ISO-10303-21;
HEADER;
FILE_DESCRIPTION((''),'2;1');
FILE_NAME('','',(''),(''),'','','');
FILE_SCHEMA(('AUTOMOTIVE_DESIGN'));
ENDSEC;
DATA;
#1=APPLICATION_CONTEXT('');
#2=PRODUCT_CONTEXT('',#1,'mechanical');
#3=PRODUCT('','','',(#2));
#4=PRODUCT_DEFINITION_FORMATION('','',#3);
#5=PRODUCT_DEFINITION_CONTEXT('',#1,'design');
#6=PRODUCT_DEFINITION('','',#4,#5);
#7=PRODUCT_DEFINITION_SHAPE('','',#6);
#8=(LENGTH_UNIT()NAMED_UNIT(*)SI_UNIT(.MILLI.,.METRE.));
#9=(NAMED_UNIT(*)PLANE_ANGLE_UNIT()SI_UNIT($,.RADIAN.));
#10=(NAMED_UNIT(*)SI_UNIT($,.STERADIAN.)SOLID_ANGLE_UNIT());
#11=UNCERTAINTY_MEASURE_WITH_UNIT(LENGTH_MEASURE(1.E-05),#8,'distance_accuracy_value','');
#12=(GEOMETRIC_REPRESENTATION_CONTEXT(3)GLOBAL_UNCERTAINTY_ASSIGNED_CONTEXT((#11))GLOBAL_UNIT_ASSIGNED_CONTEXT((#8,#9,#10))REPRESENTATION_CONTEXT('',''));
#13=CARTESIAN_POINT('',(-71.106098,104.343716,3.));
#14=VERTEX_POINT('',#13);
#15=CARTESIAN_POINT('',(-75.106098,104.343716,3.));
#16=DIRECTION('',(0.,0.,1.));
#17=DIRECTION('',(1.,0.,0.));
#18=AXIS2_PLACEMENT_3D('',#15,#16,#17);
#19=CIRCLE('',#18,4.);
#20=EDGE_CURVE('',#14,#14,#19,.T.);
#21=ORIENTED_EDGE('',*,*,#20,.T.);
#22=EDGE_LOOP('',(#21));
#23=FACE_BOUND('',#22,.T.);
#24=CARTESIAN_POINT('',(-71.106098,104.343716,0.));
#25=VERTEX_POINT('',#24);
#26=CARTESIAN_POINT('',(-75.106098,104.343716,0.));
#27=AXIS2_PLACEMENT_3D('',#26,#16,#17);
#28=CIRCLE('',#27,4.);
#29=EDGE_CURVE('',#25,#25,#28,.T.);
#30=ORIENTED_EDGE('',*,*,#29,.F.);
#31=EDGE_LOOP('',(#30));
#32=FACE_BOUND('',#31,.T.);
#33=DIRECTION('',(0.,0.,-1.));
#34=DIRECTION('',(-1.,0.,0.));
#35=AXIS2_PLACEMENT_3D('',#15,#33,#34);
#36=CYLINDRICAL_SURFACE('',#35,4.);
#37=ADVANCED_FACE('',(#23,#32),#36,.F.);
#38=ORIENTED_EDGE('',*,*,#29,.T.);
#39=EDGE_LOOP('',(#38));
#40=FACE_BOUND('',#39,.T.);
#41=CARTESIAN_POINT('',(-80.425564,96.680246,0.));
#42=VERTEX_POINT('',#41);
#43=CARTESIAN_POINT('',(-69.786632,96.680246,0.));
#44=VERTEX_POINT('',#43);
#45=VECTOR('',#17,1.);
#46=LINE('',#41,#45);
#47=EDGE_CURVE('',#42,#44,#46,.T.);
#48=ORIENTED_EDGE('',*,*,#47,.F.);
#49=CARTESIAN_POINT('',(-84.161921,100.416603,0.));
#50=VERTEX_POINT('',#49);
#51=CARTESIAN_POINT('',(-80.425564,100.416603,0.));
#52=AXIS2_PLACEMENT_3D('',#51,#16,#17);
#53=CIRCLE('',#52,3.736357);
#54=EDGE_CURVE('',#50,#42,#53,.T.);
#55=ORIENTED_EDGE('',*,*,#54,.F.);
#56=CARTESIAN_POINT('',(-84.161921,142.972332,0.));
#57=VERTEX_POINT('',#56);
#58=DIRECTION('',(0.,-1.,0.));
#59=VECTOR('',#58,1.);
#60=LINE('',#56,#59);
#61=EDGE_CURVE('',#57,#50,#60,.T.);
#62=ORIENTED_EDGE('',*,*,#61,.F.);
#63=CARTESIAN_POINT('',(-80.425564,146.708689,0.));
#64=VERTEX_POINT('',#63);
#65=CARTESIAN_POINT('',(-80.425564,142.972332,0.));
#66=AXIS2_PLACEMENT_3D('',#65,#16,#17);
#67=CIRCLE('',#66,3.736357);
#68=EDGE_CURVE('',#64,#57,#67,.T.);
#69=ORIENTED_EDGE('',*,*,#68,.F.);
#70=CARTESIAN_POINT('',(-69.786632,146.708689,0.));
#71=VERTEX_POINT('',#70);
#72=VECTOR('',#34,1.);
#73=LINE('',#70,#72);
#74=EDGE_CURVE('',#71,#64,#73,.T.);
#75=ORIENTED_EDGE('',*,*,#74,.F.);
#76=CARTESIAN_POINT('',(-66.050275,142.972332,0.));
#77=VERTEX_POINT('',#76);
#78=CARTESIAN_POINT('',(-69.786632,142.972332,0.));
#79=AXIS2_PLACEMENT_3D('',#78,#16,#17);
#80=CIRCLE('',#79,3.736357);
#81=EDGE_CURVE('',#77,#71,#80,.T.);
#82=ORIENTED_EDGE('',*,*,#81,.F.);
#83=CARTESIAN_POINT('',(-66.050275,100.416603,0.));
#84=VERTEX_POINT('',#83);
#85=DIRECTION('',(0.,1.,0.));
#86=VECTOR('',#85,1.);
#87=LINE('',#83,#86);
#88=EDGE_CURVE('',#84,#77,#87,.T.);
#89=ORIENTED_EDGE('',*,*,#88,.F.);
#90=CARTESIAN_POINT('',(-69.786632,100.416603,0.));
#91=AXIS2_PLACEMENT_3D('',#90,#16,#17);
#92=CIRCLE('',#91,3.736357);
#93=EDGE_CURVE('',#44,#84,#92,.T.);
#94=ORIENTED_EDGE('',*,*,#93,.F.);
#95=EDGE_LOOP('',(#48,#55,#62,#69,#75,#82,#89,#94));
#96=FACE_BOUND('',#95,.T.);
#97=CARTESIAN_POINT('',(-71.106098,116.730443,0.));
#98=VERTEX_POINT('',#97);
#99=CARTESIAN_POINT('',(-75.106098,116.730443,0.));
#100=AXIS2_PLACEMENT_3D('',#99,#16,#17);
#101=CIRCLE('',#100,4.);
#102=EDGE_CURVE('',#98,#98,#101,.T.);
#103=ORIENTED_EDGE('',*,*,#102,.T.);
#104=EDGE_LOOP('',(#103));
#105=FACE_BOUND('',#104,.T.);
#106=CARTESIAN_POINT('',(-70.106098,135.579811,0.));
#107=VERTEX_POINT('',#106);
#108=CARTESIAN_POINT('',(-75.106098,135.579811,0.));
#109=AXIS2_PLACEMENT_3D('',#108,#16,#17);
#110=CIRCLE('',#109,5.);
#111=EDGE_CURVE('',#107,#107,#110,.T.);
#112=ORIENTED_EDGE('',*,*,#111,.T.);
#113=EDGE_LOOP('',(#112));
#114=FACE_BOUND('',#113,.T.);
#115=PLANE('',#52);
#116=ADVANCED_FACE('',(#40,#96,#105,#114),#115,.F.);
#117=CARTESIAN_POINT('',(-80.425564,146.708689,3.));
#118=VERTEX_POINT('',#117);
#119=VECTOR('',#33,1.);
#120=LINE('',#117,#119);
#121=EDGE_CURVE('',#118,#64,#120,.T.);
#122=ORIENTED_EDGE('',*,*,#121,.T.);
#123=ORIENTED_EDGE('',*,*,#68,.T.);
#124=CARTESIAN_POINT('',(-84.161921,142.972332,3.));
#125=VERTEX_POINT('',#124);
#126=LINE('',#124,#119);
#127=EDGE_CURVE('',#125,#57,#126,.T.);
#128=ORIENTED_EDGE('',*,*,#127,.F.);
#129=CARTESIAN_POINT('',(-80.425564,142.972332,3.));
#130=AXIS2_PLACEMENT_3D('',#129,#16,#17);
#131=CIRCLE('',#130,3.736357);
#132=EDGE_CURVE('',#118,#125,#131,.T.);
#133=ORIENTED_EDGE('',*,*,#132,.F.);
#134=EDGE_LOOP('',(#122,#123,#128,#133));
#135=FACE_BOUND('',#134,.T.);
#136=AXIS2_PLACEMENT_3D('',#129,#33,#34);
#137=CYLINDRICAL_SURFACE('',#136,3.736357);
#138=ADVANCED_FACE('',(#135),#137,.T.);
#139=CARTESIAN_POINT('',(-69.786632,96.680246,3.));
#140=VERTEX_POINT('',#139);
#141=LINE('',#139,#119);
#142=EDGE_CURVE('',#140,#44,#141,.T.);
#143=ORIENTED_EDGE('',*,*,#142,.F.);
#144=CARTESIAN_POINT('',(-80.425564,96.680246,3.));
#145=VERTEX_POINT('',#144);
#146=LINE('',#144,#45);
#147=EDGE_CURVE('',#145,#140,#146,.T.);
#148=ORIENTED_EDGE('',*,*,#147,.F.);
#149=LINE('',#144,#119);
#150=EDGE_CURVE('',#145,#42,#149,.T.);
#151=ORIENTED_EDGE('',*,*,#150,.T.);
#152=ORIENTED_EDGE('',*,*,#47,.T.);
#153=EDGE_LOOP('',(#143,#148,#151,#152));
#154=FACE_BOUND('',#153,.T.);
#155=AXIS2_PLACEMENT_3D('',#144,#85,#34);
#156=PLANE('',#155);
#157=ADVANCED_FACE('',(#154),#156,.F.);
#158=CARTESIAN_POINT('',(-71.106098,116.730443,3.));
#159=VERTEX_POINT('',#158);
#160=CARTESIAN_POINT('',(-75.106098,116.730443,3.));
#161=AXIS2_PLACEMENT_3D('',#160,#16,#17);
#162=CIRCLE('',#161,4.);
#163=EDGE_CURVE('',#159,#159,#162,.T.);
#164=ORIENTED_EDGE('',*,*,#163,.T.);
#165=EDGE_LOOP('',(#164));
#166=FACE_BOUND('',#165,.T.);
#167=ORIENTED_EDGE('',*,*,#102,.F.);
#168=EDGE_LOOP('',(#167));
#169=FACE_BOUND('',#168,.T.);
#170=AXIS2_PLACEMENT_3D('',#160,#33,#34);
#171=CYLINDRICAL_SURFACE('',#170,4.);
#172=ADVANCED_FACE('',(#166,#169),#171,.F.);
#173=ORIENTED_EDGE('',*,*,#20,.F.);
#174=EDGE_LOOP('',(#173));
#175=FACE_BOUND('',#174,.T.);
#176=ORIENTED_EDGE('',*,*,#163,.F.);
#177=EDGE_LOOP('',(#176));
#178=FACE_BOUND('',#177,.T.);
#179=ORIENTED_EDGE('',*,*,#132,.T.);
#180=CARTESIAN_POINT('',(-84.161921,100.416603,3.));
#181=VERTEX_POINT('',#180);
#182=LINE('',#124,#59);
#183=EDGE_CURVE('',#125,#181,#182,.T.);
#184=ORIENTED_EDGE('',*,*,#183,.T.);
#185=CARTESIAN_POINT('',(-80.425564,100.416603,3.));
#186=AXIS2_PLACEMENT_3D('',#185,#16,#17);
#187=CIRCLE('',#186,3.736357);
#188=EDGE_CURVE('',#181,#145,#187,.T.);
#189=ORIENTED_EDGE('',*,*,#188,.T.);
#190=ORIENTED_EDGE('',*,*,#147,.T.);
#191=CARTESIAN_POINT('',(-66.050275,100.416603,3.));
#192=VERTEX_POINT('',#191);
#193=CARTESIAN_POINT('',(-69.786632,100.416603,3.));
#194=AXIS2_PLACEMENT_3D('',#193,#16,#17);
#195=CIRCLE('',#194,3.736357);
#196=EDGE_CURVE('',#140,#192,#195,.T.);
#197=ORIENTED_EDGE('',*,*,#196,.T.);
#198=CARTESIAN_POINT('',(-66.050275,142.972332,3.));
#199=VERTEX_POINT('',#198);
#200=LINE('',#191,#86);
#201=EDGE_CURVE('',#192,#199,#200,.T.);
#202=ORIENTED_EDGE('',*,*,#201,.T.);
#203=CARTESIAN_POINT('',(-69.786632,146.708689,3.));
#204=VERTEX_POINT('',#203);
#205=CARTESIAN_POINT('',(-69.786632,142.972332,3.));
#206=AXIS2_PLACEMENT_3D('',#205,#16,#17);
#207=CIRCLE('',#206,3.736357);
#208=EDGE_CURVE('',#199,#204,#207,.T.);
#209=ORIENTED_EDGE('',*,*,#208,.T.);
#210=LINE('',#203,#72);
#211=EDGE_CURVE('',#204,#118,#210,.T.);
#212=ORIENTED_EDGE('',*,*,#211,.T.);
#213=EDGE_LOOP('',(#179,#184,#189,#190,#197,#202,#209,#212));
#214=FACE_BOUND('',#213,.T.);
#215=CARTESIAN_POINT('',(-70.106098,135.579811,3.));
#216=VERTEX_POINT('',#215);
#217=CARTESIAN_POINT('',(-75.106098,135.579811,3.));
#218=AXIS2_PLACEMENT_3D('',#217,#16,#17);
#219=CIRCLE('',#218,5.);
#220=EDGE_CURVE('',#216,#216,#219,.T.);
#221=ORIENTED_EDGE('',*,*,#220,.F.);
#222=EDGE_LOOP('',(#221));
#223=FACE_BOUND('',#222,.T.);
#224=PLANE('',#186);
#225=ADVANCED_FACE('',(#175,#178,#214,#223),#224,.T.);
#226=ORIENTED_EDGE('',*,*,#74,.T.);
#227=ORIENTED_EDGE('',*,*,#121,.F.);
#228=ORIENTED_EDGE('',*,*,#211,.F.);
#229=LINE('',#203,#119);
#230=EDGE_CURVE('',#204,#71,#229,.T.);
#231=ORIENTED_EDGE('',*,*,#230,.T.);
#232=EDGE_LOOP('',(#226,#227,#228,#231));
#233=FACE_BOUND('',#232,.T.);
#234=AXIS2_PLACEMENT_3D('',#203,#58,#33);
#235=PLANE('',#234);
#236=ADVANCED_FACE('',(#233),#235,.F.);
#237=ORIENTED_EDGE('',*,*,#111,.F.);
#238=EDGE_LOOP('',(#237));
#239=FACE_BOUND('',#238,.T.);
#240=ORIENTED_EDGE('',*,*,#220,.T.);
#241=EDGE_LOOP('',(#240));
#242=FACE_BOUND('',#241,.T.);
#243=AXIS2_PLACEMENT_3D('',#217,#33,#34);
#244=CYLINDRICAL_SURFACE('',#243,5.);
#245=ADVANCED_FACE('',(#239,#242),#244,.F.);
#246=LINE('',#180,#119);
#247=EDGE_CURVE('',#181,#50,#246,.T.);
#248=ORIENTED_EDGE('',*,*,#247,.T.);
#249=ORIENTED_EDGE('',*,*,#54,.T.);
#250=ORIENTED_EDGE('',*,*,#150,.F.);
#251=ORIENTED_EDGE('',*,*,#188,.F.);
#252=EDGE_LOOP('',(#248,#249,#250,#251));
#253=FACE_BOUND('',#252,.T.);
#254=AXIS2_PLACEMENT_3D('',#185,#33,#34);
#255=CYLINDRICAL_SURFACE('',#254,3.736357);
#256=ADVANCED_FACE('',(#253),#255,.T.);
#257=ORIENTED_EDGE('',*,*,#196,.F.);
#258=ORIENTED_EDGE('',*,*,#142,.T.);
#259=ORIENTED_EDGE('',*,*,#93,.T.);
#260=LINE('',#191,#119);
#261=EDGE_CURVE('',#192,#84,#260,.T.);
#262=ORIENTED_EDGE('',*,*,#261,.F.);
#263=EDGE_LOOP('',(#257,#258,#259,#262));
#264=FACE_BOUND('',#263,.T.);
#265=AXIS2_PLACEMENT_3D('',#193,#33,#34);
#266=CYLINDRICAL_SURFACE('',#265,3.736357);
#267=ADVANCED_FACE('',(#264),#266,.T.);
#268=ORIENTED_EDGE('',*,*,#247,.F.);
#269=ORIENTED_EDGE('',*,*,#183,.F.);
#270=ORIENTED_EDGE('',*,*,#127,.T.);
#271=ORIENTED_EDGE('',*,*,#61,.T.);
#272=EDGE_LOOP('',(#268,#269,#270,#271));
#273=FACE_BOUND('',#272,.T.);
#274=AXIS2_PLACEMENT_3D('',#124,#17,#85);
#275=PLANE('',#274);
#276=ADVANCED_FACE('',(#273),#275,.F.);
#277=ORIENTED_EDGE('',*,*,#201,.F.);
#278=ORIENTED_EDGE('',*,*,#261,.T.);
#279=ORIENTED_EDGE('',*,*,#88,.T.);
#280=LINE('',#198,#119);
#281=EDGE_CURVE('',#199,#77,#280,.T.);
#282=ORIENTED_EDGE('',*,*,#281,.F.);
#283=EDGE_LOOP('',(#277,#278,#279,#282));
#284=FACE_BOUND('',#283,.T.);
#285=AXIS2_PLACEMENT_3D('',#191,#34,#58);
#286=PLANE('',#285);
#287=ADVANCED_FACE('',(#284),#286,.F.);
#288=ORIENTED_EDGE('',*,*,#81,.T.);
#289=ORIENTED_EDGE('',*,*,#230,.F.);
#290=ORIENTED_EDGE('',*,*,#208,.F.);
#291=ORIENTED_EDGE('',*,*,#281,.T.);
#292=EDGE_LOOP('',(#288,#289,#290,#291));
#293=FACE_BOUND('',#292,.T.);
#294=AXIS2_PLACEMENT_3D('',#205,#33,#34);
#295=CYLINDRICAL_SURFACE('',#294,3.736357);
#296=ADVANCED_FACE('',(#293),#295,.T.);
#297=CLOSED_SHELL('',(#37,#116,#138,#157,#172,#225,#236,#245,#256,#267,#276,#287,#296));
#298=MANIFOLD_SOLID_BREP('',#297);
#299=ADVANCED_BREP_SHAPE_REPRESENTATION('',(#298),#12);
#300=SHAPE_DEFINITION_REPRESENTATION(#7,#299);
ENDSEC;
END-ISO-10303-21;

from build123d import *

# Parameters (mm, degrees)
SKETCH1_R           = 4
SKETCH1_R_2         = 5
BOSS_EXTRUDE1_DEPTH = 3


with BuildPart() as part:
    # Sketch1 → Boss-Extrude1 (new body)
    with BuildSketch(Plane.XY):
        with BuildLine():
            Line((-80.425564374, 96.680246319), (-69.786632227, 96.680246319))
            ThreePointArc((-69.786632227, 96.680246319), (-67.144628902, 97.774599928), (-66.050275293, 100.416603253))
            Line((-66.050275293, 100.416603253), (-66.050275293, 142.972331842))
            ThreePointArc((-66.050275293, 142.972331842), (-67.144628902, 145.614335167), (-69.786632227, 146.708688776))
            Line((-69.786632227, 146.708688776), (-80.425564374, 146.708688776))
            ThreePointArc((-80.425564374, 146.708688776), (-83.067567699, 145.614335167), (-84.161921308, 142.972331842))
            Line((-84.161921308, 142.972331842), (-84.161921308, 100.416603253))
            ThreePointArc((-84.161921308, 100.416603253), (-83.067567699, 97.774599928), (-80.425564374, 96.680246319))
        make_face()
        with Locations((-75.106098301, 104.343716036)):
            Circle(SKETCH1_R, mode=Mode.SUBTRACT)
        with Locations((-75.106098301, 116.730443274)):
            Circle(SKETCH1_R, mode=Mode.SUBTRACT)
        with Locations((-75.106098301, 135.57981081)):
            Circle(SKETCH1_R_2, mode=Mode.SUBTRACT)
    extrude(amount=BOSS_EXTRUDE1_DEPTH)


solid = part.part
